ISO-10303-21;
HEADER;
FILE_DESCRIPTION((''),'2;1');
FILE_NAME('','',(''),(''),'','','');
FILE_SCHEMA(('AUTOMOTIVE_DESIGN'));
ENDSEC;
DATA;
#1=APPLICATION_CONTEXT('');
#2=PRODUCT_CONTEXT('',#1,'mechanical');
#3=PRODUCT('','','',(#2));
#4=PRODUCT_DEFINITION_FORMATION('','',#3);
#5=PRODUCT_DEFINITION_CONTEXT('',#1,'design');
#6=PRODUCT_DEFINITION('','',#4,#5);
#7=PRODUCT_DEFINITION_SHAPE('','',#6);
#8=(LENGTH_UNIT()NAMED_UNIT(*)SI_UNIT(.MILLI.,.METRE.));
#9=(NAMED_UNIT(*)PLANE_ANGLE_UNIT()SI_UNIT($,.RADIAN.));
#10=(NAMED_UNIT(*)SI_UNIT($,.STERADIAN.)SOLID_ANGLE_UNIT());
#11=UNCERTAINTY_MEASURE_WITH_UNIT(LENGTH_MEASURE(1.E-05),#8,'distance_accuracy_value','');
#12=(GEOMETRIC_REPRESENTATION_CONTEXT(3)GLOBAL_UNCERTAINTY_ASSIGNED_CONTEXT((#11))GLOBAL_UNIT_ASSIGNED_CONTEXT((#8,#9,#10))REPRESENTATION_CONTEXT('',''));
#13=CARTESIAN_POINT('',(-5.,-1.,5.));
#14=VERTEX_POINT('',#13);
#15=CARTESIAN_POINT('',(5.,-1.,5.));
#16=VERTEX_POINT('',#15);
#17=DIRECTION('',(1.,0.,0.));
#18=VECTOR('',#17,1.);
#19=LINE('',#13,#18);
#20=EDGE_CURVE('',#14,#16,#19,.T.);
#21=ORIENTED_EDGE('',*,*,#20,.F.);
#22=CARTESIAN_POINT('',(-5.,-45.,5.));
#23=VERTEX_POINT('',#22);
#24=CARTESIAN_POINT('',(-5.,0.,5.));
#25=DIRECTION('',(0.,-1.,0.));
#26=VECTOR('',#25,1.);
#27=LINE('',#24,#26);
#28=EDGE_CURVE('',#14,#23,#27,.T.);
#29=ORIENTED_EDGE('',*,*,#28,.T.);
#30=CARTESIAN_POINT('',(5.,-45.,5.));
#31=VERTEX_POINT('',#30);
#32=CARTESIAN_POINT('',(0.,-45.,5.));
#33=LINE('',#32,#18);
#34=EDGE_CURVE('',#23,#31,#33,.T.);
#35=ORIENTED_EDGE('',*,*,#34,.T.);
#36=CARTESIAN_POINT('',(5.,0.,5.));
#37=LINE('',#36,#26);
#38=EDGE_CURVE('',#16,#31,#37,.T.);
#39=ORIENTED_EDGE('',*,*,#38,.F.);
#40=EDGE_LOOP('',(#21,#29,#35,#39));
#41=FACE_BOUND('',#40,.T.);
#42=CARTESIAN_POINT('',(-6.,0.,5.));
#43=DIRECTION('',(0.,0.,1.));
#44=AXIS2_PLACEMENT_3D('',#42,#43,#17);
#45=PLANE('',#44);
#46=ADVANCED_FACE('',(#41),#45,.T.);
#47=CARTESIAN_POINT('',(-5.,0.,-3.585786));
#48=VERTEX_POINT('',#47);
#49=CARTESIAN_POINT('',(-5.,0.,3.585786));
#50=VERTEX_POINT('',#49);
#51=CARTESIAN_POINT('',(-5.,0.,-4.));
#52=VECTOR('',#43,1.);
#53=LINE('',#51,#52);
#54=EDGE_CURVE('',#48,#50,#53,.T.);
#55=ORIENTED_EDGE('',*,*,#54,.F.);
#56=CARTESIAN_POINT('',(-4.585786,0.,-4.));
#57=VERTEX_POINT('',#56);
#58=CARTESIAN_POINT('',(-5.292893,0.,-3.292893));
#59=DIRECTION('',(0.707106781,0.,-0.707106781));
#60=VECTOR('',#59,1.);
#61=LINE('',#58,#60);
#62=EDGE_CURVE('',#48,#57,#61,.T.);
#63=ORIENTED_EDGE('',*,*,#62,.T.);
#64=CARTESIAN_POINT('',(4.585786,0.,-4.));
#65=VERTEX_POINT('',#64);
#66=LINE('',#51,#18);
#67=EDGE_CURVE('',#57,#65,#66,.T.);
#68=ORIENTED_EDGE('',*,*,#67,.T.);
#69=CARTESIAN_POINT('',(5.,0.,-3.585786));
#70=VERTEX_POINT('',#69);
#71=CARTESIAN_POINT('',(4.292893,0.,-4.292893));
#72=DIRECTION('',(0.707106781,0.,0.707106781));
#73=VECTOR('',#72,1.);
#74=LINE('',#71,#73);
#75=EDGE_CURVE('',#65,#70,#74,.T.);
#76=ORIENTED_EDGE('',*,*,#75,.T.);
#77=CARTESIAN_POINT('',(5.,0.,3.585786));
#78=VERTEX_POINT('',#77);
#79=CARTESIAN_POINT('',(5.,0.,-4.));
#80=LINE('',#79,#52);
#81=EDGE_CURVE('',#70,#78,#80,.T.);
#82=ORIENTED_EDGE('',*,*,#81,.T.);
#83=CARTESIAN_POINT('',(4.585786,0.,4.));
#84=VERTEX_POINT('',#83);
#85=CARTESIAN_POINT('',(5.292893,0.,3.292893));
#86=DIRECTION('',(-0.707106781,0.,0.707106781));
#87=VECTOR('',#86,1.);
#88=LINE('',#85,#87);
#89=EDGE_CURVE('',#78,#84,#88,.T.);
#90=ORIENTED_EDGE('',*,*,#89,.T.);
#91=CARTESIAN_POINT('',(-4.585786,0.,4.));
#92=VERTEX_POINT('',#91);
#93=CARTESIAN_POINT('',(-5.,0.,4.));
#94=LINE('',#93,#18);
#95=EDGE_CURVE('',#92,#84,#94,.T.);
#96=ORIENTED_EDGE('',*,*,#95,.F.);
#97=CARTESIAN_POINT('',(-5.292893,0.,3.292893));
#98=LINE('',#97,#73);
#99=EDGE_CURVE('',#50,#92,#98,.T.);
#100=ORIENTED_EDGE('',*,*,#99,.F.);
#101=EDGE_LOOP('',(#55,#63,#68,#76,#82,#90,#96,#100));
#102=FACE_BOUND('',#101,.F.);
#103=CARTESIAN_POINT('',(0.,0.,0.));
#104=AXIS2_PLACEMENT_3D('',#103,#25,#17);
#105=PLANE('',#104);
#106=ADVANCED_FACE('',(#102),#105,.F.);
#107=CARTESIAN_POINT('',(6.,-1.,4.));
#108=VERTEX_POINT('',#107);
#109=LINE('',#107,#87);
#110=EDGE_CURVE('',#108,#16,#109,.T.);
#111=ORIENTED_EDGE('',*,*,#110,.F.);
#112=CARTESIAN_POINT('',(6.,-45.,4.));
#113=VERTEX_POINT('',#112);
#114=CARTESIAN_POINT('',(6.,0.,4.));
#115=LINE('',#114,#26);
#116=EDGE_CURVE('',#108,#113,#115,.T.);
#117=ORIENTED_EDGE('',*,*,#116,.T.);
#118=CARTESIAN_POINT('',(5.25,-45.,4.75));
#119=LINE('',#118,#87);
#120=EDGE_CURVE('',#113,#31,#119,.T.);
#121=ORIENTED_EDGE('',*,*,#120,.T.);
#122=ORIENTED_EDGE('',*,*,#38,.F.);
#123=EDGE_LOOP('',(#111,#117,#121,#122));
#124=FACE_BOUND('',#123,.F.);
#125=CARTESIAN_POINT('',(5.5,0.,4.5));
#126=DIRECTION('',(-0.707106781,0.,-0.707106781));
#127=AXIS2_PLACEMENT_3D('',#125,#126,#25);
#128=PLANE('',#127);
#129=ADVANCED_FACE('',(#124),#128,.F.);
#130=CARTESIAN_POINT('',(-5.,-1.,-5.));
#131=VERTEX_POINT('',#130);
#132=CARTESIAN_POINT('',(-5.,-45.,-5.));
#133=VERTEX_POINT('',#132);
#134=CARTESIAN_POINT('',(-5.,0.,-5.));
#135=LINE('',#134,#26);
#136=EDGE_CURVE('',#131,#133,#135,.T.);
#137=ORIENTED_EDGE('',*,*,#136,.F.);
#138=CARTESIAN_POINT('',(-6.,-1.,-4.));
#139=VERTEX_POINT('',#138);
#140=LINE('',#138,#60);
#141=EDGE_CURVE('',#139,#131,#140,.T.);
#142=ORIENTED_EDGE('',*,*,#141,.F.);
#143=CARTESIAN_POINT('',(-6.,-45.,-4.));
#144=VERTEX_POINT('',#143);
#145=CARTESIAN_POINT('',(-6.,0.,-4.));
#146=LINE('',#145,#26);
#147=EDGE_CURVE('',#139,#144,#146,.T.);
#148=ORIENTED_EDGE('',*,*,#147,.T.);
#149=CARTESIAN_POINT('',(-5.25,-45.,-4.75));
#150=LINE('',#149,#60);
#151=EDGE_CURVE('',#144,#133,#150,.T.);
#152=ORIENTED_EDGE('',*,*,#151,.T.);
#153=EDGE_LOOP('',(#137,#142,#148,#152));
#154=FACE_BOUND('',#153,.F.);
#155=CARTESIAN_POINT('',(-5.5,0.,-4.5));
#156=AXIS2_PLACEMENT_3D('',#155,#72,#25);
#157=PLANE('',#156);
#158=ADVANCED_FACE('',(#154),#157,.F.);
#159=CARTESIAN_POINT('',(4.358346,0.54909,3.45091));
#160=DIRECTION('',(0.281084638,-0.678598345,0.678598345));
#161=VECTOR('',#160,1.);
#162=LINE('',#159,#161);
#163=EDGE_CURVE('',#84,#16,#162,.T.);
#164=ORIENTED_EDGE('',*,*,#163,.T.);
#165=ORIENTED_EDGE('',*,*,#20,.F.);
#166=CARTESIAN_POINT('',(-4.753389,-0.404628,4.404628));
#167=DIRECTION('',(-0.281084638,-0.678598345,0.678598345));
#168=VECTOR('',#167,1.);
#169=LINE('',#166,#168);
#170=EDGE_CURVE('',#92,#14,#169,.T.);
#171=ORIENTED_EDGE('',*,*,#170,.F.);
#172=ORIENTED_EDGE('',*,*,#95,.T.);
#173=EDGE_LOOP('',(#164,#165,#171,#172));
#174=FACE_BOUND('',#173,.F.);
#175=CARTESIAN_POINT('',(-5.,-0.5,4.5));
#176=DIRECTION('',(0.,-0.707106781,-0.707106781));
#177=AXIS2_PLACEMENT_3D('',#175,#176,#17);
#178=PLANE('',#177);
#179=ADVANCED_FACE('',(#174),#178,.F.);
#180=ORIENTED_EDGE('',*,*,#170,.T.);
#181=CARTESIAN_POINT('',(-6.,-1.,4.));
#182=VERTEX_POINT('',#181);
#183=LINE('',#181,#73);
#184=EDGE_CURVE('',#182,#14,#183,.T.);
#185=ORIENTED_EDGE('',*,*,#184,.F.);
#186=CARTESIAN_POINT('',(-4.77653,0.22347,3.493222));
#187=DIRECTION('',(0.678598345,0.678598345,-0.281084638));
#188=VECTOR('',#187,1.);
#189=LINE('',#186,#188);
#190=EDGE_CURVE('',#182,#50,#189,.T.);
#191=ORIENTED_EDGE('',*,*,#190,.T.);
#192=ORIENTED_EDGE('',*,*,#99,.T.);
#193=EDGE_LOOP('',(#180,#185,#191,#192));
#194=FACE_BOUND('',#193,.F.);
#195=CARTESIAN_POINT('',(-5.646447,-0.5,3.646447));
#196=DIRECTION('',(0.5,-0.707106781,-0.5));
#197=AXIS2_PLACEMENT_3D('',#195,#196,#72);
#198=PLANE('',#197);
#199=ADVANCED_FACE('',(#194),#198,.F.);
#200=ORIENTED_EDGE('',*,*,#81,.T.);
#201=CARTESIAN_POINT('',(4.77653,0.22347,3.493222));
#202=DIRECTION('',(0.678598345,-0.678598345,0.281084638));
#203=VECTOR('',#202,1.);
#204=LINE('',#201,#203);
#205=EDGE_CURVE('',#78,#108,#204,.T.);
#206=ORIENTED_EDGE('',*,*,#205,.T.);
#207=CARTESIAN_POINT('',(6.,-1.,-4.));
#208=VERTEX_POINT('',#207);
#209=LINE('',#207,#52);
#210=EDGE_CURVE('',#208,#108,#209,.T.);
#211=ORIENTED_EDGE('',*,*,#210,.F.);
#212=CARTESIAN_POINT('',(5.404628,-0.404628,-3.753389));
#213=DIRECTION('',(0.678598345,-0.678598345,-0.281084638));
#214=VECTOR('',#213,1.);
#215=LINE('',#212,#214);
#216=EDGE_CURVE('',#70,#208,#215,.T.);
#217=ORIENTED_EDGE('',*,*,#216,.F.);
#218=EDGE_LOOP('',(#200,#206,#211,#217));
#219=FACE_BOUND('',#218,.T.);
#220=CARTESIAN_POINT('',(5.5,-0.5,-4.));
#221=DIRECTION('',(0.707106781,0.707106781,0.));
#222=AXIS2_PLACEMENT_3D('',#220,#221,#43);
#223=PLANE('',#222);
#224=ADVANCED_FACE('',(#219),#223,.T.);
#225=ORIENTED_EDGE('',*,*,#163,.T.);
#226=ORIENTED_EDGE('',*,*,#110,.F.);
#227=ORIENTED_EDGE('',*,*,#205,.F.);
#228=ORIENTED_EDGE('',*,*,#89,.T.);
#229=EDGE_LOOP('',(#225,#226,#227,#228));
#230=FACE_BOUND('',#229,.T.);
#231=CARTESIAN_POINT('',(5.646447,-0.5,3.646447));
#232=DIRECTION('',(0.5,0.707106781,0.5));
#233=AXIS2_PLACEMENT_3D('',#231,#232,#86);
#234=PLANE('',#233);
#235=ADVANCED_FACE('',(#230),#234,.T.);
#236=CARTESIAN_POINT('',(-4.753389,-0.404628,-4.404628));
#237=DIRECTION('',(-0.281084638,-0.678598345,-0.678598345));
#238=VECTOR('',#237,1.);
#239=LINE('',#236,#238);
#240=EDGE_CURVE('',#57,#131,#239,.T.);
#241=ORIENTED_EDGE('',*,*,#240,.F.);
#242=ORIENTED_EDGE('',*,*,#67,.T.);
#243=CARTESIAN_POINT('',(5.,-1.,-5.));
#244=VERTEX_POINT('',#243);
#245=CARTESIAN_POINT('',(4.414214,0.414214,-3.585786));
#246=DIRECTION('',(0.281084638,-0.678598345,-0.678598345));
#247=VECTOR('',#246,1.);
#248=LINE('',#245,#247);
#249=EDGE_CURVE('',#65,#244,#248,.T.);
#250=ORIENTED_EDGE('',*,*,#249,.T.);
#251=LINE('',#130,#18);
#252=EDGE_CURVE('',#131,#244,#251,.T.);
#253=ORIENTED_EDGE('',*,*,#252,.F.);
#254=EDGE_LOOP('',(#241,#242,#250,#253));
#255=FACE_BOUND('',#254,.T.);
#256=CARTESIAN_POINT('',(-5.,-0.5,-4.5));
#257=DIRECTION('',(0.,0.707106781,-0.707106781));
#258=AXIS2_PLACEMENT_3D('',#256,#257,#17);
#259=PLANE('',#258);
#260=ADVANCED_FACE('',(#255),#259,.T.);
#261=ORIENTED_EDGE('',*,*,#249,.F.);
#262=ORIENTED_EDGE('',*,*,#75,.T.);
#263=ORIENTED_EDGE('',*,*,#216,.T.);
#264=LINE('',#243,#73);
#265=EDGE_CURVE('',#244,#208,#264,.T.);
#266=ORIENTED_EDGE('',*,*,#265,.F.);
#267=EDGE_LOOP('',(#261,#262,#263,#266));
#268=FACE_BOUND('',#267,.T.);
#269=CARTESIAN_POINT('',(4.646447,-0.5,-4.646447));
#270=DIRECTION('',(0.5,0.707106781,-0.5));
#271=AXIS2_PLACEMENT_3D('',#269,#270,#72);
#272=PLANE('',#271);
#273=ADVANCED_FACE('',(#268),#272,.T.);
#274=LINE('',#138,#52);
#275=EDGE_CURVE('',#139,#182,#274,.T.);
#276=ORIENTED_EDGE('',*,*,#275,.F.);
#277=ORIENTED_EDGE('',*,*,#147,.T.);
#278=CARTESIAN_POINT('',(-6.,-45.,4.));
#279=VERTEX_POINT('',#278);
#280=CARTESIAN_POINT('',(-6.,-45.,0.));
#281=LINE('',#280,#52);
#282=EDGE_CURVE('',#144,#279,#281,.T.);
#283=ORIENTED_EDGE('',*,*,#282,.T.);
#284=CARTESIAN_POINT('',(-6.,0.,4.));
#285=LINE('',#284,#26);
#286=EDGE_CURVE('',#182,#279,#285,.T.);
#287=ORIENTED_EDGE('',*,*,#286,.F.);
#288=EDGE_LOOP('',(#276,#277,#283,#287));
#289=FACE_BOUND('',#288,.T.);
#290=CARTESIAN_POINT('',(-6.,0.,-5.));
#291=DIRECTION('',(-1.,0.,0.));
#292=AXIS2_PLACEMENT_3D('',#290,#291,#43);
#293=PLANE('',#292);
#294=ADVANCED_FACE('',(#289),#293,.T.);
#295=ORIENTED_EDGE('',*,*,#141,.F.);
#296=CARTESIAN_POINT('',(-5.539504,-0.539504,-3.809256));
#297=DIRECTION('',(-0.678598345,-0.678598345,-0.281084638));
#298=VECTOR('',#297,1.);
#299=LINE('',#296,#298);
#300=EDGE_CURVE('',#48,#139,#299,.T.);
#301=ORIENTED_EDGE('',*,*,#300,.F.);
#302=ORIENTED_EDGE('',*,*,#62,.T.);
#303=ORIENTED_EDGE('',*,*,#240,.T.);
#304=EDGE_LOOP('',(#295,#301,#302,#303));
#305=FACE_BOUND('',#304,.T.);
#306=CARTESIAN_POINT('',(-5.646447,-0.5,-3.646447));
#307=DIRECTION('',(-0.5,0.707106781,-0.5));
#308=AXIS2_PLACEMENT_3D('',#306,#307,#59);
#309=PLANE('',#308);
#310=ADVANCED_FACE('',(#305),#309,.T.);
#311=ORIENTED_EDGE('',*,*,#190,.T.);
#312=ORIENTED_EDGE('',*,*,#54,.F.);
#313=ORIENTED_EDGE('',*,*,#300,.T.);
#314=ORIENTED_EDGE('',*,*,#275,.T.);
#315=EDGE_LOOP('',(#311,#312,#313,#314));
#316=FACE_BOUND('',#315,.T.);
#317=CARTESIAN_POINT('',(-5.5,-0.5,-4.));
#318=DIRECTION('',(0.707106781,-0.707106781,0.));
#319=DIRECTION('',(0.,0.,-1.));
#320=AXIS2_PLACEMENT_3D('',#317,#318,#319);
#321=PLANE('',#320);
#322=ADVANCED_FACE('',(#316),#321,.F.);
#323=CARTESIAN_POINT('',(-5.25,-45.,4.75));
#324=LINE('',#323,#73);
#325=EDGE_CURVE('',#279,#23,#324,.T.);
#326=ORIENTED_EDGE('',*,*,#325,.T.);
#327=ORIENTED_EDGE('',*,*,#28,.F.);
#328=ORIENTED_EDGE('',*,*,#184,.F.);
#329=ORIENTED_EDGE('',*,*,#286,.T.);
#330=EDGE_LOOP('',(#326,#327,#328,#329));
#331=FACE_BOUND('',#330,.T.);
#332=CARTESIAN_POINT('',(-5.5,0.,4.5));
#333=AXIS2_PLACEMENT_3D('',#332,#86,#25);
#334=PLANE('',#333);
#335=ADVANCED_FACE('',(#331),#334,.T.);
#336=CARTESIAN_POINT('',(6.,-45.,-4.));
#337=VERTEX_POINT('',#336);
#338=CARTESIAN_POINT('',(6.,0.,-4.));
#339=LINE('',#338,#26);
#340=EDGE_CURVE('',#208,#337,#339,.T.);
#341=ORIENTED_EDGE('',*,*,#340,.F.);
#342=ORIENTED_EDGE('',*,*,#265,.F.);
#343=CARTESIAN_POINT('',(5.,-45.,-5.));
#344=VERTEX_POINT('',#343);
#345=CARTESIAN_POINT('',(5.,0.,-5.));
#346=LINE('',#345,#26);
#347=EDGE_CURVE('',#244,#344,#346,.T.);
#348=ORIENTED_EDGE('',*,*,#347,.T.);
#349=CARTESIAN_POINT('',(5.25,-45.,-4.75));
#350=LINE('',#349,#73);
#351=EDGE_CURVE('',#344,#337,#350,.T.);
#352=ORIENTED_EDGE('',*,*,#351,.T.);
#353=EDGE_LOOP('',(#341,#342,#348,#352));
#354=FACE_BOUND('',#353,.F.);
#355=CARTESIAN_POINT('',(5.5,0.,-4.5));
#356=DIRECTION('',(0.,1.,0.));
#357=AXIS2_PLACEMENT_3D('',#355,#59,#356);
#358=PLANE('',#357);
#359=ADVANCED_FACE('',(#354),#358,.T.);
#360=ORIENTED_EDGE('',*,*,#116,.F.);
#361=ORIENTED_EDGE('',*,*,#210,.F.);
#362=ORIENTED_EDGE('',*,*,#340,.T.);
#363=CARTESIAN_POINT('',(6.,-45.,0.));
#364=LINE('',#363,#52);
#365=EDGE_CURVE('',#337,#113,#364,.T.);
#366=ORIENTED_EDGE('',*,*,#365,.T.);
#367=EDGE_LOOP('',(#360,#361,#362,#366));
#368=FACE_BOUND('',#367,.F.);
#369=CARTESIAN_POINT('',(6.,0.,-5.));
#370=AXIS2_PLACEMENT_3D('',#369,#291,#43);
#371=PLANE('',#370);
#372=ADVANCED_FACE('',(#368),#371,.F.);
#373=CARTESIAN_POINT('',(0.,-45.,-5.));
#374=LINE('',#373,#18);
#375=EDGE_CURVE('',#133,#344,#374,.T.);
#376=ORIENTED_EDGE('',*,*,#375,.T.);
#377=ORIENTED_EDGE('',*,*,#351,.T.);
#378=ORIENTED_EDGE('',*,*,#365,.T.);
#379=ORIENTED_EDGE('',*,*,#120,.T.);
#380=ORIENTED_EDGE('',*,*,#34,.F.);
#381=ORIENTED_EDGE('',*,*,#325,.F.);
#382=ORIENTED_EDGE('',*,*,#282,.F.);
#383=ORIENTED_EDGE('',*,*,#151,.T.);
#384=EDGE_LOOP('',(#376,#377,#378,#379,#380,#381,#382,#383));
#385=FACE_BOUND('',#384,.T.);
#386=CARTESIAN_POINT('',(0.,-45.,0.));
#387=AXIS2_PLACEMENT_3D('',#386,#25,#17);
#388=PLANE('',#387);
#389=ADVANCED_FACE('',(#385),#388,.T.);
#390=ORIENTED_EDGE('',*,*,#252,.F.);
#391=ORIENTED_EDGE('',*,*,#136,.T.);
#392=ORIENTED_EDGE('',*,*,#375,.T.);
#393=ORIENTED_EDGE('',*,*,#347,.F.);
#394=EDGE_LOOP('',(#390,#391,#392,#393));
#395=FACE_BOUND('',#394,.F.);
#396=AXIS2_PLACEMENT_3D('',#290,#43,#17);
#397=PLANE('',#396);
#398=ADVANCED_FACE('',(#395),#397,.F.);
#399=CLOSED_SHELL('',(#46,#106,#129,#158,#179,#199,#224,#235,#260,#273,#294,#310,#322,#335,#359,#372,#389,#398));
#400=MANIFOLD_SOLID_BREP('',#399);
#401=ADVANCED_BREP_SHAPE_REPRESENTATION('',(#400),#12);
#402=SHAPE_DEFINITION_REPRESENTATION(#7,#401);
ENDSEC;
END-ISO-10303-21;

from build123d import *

# Parameters (mm, degrees)
F0_W     = 12
F0_H     = 10
F1_DEPTH = 45
F2_SIZE  = 1
F3_SIZE  = 1


with BuildPart() as f1:
    # F0 (on Front) → F1 (new body)
    with BuildSketch(Plane.XZ):
        Rectangle(F0_W, F0_H)
    extrude(amount=F1_DEPTH)

    # F2
    f2_edges = [f1.edges().sort_by_distance(p)[0] for p in [
        (6, -22.5, 5),
        (-6, -22.5, 5),
        (6, -22.5, -5),
        (-6, -22.5, -5),
    ]]
    chamfer(f2_edges, length=F2_SIZE)

    # F3
    f3_edges = [f1.edges().sort_by_distance(p)[0] for p in [
        (0, 0, -5),
        (-5.5, 0, -4.5),
        (5.5, 0, -4.5),
        (-6, 0, 0),
        (6, 0, 0),
        (-5.5, 0, 4.5),
        (5.5, 0, 4.5),
        (0, 0, 5),
    ]]
    chamfer(f3_edges, length=F3_SIZE)


solid = f1.part
